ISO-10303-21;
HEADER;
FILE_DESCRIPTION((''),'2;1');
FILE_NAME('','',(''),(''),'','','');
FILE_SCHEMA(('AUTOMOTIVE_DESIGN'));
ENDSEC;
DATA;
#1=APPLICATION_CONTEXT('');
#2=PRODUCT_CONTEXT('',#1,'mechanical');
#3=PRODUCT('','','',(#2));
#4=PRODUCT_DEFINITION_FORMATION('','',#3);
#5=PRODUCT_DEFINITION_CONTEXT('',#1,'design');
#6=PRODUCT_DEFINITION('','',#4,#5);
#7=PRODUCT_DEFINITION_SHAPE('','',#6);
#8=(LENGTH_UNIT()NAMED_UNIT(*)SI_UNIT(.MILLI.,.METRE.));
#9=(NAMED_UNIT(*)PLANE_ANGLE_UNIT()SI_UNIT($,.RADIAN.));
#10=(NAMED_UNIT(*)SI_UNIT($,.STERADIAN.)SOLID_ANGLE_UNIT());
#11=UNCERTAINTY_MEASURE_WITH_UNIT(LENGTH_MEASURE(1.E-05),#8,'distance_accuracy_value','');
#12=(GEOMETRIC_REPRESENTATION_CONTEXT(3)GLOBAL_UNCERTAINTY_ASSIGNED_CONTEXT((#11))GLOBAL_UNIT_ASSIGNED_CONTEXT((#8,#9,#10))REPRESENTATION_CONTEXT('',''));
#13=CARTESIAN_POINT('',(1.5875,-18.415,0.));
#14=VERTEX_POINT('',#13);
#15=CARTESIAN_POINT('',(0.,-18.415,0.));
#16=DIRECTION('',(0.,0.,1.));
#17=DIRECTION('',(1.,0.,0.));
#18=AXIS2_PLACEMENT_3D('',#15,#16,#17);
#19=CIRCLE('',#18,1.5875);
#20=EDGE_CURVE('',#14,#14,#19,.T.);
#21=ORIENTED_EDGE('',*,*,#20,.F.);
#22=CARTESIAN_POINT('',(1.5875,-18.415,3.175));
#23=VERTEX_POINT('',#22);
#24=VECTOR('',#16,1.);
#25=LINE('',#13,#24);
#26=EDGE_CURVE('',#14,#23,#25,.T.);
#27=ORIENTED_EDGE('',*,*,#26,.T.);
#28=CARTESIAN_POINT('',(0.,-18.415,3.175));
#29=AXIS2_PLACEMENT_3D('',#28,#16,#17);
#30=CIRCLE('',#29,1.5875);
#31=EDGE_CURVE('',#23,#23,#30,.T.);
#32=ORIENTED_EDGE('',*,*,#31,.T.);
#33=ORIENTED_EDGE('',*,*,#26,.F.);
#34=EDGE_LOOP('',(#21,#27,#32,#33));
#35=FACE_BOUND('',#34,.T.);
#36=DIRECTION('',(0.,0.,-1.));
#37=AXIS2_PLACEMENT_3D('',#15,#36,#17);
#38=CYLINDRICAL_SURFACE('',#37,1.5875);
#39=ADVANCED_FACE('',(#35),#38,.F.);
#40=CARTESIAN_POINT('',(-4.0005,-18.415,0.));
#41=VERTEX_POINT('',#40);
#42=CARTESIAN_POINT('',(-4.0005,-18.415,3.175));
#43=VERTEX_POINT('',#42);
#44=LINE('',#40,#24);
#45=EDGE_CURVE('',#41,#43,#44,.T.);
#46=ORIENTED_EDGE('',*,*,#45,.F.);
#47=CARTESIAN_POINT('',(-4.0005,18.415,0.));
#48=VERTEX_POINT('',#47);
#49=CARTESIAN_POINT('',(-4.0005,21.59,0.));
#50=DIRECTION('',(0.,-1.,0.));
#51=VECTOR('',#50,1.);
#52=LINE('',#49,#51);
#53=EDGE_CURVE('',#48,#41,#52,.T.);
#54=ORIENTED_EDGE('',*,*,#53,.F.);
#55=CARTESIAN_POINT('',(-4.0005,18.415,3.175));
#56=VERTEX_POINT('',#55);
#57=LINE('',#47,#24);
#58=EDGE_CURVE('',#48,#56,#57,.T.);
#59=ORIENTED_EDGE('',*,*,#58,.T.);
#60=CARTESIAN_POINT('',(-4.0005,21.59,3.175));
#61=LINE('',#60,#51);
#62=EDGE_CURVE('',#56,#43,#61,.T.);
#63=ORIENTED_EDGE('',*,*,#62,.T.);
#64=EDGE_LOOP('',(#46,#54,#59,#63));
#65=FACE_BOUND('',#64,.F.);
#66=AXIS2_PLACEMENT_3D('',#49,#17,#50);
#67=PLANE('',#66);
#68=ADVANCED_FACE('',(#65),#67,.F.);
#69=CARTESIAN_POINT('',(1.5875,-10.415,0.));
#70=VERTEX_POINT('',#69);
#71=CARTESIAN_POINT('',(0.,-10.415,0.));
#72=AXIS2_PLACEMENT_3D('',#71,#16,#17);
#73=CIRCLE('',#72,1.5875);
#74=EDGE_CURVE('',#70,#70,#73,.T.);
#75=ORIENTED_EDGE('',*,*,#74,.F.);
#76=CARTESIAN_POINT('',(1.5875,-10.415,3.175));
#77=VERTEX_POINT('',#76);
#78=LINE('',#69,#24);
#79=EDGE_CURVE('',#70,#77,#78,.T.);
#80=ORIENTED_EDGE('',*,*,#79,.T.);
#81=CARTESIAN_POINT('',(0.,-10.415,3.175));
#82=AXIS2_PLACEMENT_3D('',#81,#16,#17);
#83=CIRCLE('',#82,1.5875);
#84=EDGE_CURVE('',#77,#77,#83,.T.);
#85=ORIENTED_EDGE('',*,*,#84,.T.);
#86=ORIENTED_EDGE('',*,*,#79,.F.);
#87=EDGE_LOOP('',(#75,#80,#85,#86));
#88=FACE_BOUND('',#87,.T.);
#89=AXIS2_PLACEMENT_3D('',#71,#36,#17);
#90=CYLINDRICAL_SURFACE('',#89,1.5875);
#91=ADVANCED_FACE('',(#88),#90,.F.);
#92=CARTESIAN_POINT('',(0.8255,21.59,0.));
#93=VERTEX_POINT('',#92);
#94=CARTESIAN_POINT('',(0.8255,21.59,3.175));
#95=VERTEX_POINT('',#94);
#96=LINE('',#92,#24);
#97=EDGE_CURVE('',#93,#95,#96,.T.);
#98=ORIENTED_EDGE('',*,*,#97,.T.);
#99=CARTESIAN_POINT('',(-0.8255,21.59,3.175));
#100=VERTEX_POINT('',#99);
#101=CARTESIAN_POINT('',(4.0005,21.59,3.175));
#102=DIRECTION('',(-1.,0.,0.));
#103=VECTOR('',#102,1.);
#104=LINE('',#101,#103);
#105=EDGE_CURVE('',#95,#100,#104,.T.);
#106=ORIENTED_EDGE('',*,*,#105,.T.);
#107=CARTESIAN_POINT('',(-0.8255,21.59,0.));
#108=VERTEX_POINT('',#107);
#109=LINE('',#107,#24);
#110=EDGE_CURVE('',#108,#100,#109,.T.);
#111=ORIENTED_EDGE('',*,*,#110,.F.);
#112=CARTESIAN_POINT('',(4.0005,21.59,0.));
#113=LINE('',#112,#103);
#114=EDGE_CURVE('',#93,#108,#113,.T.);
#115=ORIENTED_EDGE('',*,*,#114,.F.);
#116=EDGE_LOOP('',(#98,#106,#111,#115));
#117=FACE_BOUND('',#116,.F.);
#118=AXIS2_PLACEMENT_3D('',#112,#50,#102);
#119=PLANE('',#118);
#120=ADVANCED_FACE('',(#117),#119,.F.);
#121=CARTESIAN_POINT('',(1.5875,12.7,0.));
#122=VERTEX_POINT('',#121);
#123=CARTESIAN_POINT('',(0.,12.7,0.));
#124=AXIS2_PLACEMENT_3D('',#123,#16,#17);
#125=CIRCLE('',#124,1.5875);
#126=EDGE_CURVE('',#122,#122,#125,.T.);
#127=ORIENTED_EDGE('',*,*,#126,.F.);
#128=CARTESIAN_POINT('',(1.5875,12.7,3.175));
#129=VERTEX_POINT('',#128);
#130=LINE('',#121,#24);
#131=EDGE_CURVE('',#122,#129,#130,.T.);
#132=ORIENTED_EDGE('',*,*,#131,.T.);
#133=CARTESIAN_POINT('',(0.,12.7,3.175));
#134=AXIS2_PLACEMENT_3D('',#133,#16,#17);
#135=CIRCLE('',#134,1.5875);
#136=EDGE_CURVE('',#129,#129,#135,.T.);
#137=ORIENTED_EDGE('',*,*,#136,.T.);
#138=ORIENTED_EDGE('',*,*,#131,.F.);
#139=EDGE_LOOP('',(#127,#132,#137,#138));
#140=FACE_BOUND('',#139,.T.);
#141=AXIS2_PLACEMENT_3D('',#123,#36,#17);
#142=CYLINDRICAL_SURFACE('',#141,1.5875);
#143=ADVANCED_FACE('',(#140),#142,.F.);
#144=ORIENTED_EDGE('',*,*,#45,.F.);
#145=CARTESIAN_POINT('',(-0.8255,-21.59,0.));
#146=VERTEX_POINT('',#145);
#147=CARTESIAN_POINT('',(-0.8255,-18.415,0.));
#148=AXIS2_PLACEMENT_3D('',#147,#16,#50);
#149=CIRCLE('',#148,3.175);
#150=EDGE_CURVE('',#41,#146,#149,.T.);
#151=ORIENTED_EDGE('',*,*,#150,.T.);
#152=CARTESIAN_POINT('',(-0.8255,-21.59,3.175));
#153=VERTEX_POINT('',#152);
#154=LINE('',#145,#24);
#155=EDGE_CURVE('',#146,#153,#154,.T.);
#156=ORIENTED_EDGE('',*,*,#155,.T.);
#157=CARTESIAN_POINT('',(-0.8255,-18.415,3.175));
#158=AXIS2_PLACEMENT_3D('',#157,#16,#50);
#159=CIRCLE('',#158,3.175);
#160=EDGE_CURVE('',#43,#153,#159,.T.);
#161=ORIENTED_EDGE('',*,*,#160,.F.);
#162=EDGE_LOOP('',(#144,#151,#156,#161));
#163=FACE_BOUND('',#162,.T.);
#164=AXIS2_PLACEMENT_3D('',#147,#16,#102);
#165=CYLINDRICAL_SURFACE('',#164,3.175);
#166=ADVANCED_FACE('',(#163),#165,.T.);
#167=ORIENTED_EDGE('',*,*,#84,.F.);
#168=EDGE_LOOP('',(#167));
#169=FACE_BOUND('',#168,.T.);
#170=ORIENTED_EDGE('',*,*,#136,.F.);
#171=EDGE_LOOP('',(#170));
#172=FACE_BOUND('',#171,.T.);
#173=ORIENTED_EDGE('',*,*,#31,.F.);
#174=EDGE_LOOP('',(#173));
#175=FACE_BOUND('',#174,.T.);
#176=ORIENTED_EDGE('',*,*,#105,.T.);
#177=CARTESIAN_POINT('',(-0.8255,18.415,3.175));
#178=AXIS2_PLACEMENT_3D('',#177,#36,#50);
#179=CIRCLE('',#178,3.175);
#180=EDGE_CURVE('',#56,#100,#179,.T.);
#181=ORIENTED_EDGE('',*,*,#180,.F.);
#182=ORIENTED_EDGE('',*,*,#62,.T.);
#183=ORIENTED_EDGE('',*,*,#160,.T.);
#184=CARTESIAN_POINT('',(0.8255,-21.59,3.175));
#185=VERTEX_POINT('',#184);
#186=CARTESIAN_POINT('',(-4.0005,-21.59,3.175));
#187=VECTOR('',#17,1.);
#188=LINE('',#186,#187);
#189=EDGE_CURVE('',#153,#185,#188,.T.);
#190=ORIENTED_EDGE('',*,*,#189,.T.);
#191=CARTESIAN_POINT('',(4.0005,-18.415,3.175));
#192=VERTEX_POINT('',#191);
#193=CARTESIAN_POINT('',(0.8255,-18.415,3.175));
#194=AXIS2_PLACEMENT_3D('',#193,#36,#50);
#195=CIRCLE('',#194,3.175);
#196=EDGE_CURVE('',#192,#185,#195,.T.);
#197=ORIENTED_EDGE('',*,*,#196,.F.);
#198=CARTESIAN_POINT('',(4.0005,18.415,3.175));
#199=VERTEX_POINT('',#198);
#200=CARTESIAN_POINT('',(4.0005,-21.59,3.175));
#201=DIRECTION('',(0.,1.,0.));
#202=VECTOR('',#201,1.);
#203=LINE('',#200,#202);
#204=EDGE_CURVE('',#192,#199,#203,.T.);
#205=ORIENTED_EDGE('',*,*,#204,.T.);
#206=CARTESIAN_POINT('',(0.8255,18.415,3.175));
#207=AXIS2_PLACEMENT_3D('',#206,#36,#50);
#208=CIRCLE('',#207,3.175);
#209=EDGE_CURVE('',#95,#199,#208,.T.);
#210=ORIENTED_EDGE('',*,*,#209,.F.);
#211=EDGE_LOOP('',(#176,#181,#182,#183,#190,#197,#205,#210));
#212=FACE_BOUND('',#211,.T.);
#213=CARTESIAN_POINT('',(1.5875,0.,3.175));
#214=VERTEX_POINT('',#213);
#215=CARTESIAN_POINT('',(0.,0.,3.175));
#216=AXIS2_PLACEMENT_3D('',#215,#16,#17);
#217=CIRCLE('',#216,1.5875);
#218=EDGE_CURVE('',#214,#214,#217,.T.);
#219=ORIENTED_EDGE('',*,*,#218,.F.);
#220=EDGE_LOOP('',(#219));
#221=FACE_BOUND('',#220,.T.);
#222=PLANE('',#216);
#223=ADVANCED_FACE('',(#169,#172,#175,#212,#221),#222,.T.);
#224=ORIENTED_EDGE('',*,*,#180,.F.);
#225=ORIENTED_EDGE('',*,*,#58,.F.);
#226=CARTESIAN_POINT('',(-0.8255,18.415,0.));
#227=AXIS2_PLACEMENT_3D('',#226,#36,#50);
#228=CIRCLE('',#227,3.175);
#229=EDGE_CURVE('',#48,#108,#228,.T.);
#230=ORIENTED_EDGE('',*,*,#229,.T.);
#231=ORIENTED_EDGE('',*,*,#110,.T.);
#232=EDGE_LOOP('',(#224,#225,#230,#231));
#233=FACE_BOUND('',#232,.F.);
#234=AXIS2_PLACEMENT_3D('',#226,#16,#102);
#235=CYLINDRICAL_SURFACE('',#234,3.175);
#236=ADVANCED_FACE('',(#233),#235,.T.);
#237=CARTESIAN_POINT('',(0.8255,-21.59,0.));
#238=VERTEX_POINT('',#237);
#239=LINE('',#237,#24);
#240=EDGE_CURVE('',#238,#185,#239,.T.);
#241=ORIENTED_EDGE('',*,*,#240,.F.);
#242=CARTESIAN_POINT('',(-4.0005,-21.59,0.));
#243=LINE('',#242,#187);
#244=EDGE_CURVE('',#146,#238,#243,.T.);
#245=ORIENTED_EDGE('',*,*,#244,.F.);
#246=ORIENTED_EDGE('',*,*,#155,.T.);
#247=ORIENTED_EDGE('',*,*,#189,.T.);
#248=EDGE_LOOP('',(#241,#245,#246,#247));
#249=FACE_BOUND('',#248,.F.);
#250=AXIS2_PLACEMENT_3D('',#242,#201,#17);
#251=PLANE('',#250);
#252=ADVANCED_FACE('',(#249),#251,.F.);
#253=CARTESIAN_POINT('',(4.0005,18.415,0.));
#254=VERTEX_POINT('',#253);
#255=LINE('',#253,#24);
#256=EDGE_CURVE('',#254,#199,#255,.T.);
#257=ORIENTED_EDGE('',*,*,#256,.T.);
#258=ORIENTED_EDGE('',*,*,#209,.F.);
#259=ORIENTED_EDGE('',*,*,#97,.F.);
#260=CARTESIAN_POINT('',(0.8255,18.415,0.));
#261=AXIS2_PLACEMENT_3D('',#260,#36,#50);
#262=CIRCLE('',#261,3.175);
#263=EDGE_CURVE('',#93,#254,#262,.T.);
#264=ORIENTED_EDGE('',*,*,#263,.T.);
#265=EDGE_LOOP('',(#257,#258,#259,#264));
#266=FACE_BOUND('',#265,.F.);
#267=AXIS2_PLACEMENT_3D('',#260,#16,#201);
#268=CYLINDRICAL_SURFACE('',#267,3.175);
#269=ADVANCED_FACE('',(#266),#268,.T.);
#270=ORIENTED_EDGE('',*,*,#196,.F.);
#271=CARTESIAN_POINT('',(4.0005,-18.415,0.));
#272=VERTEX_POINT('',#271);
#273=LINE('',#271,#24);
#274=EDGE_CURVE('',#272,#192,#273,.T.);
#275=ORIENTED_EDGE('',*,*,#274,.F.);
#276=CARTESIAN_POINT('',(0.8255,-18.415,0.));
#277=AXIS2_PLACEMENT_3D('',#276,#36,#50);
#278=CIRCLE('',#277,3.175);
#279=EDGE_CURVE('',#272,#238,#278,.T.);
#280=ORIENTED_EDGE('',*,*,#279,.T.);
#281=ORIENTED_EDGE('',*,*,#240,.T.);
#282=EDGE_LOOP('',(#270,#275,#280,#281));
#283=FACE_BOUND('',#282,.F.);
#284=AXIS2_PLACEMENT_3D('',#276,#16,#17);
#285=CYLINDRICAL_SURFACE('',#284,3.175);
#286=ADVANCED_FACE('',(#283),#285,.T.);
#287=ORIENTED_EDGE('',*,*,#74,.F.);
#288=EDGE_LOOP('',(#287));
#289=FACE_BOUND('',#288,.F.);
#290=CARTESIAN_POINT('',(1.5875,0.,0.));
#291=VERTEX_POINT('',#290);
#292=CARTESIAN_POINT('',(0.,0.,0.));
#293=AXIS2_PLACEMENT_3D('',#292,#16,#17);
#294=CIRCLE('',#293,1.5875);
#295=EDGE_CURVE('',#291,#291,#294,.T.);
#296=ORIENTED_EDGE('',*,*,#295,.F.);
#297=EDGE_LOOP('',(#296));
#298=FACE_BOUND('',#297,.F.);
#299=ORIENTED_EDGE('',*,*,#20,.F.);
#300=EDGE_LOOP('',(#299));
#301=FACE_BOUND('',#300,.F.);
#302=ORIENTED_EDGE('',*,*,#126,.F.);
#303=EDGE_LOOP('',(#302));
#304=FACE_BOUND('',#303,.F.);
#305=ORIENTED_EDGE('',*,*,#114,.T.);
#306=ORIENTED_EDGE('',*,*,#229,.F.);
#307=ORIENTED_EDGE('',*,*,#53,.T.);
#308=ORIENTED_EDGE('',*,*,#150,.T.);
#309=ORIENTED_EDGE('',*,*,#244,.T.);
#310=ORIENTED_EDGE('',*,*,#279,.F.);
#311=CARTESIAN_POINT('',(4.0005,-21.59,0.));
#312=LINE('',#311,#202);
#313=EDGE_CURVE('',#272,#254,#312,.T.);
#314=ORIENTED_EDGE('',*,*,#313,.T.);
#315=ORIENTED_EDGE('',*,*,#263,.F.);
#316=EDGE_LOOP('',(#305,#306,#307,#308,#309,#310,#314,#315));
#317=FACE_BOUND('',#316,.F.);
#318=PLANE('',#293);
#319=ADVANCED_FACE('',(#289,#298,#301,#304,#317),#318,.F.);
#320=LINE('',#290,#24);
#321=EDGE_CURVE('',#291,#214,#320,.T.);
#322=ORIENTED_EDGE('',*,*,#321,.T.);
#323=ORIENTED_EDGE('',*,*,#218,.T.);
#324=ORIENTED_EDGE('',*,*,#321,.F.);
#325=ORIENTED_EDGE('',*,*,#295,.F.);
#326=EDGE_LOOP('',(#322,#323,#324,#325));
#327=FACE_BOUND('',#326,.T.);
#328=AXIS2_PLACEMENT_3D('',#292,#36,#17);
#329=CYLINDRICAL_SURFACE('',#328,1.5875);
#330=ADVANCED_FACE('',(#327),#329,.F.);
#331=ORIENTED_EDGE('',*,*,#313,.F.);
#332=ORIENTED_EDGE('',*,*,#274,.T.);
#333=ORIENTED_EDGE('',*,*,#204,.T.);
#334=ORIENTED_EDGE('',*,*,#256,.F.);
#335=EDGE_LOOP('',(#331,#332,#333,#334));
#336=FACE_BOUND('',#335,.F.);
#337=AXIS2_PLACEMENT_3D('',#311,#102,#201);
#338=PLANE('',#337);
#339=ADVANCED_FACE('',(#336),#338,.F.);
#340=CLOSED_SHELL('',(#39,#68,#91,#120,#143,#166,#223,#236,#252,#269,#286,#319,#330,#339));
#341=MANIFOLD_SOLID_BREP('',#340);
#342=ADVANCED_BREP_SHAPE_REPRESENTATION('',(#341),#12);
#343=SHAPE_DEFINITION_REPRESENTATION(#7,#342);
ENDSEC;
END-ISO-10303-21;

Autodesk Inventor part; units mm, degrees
ref_plane "YZ Plane" through (0, 0, 0) normal (1, 0, 0) x (0, 1, 0)
ref_plane "XZ Plane" through (0, 0, 0) normal (0, 1, 0) x (-1, 0, 0)
ref_plane "XY Plane" through (0, 0, 0) normal (0, 0, 1) x (1, 0, 0)
sketch "Sketch1" plane through (0, 0, 0) normal (0, 0, 1) x (1, 0, 0)
  line L0 (-4.0005, -21.59) -> (4.0005, -21.59)
  line L1 (4.0005, -21.59) -> (4.0005, 21.59)
  line L2 (4.0005, 21.59) -> (-4.0005, 21.59)
  line L3 (-4.0005, 21.59) -> (-4.0005, -21.59)
  line L4 (-4.0005, -21.59) -> (4.0005, 21.59) construction
  line L5 (4.0005, -21.59) -> (-4.0005, 21.59) construction
  circle A0 centre (0, -18.415) radius 1.5875
  circle A1 centre (0, -18.415) radius 2.1 construction
  circle A2 centre (0, -10.415) radius 1.5875
  circle A3 centre (0, 12.7) radius 1.5875
  circle A4 centre (0, 0) radius 1.5875
  dimension "d0" = 8.001
  dimension "d1" = 43.18
  dimension "d2" = 3.175
  dimension "d3" = 4.2
  dimension "d4" = 3.175
  dimension "d5" = 8
  dimension "d6" = 3.175
  dimension "d7" = 3.175
  dimension "d8" = 3.175
  dimension "d9" = 8.89
  dimension "d10" = 4.0005
extrude "Extrusion1" add sketch "Sketch1" along normal blind 3.175
fillet "Fillet1" radius 3.175 4 edges at (-4.0005, 21.59, 1.5875) (4.0005, 21.59, 1.5875) (4.0005, -21.59, 1.5875) (-4.0005, -21.59, 1.5875)
properties part number "Claw7_Claw_Plate" material "Polycarbonate, Smoke"
